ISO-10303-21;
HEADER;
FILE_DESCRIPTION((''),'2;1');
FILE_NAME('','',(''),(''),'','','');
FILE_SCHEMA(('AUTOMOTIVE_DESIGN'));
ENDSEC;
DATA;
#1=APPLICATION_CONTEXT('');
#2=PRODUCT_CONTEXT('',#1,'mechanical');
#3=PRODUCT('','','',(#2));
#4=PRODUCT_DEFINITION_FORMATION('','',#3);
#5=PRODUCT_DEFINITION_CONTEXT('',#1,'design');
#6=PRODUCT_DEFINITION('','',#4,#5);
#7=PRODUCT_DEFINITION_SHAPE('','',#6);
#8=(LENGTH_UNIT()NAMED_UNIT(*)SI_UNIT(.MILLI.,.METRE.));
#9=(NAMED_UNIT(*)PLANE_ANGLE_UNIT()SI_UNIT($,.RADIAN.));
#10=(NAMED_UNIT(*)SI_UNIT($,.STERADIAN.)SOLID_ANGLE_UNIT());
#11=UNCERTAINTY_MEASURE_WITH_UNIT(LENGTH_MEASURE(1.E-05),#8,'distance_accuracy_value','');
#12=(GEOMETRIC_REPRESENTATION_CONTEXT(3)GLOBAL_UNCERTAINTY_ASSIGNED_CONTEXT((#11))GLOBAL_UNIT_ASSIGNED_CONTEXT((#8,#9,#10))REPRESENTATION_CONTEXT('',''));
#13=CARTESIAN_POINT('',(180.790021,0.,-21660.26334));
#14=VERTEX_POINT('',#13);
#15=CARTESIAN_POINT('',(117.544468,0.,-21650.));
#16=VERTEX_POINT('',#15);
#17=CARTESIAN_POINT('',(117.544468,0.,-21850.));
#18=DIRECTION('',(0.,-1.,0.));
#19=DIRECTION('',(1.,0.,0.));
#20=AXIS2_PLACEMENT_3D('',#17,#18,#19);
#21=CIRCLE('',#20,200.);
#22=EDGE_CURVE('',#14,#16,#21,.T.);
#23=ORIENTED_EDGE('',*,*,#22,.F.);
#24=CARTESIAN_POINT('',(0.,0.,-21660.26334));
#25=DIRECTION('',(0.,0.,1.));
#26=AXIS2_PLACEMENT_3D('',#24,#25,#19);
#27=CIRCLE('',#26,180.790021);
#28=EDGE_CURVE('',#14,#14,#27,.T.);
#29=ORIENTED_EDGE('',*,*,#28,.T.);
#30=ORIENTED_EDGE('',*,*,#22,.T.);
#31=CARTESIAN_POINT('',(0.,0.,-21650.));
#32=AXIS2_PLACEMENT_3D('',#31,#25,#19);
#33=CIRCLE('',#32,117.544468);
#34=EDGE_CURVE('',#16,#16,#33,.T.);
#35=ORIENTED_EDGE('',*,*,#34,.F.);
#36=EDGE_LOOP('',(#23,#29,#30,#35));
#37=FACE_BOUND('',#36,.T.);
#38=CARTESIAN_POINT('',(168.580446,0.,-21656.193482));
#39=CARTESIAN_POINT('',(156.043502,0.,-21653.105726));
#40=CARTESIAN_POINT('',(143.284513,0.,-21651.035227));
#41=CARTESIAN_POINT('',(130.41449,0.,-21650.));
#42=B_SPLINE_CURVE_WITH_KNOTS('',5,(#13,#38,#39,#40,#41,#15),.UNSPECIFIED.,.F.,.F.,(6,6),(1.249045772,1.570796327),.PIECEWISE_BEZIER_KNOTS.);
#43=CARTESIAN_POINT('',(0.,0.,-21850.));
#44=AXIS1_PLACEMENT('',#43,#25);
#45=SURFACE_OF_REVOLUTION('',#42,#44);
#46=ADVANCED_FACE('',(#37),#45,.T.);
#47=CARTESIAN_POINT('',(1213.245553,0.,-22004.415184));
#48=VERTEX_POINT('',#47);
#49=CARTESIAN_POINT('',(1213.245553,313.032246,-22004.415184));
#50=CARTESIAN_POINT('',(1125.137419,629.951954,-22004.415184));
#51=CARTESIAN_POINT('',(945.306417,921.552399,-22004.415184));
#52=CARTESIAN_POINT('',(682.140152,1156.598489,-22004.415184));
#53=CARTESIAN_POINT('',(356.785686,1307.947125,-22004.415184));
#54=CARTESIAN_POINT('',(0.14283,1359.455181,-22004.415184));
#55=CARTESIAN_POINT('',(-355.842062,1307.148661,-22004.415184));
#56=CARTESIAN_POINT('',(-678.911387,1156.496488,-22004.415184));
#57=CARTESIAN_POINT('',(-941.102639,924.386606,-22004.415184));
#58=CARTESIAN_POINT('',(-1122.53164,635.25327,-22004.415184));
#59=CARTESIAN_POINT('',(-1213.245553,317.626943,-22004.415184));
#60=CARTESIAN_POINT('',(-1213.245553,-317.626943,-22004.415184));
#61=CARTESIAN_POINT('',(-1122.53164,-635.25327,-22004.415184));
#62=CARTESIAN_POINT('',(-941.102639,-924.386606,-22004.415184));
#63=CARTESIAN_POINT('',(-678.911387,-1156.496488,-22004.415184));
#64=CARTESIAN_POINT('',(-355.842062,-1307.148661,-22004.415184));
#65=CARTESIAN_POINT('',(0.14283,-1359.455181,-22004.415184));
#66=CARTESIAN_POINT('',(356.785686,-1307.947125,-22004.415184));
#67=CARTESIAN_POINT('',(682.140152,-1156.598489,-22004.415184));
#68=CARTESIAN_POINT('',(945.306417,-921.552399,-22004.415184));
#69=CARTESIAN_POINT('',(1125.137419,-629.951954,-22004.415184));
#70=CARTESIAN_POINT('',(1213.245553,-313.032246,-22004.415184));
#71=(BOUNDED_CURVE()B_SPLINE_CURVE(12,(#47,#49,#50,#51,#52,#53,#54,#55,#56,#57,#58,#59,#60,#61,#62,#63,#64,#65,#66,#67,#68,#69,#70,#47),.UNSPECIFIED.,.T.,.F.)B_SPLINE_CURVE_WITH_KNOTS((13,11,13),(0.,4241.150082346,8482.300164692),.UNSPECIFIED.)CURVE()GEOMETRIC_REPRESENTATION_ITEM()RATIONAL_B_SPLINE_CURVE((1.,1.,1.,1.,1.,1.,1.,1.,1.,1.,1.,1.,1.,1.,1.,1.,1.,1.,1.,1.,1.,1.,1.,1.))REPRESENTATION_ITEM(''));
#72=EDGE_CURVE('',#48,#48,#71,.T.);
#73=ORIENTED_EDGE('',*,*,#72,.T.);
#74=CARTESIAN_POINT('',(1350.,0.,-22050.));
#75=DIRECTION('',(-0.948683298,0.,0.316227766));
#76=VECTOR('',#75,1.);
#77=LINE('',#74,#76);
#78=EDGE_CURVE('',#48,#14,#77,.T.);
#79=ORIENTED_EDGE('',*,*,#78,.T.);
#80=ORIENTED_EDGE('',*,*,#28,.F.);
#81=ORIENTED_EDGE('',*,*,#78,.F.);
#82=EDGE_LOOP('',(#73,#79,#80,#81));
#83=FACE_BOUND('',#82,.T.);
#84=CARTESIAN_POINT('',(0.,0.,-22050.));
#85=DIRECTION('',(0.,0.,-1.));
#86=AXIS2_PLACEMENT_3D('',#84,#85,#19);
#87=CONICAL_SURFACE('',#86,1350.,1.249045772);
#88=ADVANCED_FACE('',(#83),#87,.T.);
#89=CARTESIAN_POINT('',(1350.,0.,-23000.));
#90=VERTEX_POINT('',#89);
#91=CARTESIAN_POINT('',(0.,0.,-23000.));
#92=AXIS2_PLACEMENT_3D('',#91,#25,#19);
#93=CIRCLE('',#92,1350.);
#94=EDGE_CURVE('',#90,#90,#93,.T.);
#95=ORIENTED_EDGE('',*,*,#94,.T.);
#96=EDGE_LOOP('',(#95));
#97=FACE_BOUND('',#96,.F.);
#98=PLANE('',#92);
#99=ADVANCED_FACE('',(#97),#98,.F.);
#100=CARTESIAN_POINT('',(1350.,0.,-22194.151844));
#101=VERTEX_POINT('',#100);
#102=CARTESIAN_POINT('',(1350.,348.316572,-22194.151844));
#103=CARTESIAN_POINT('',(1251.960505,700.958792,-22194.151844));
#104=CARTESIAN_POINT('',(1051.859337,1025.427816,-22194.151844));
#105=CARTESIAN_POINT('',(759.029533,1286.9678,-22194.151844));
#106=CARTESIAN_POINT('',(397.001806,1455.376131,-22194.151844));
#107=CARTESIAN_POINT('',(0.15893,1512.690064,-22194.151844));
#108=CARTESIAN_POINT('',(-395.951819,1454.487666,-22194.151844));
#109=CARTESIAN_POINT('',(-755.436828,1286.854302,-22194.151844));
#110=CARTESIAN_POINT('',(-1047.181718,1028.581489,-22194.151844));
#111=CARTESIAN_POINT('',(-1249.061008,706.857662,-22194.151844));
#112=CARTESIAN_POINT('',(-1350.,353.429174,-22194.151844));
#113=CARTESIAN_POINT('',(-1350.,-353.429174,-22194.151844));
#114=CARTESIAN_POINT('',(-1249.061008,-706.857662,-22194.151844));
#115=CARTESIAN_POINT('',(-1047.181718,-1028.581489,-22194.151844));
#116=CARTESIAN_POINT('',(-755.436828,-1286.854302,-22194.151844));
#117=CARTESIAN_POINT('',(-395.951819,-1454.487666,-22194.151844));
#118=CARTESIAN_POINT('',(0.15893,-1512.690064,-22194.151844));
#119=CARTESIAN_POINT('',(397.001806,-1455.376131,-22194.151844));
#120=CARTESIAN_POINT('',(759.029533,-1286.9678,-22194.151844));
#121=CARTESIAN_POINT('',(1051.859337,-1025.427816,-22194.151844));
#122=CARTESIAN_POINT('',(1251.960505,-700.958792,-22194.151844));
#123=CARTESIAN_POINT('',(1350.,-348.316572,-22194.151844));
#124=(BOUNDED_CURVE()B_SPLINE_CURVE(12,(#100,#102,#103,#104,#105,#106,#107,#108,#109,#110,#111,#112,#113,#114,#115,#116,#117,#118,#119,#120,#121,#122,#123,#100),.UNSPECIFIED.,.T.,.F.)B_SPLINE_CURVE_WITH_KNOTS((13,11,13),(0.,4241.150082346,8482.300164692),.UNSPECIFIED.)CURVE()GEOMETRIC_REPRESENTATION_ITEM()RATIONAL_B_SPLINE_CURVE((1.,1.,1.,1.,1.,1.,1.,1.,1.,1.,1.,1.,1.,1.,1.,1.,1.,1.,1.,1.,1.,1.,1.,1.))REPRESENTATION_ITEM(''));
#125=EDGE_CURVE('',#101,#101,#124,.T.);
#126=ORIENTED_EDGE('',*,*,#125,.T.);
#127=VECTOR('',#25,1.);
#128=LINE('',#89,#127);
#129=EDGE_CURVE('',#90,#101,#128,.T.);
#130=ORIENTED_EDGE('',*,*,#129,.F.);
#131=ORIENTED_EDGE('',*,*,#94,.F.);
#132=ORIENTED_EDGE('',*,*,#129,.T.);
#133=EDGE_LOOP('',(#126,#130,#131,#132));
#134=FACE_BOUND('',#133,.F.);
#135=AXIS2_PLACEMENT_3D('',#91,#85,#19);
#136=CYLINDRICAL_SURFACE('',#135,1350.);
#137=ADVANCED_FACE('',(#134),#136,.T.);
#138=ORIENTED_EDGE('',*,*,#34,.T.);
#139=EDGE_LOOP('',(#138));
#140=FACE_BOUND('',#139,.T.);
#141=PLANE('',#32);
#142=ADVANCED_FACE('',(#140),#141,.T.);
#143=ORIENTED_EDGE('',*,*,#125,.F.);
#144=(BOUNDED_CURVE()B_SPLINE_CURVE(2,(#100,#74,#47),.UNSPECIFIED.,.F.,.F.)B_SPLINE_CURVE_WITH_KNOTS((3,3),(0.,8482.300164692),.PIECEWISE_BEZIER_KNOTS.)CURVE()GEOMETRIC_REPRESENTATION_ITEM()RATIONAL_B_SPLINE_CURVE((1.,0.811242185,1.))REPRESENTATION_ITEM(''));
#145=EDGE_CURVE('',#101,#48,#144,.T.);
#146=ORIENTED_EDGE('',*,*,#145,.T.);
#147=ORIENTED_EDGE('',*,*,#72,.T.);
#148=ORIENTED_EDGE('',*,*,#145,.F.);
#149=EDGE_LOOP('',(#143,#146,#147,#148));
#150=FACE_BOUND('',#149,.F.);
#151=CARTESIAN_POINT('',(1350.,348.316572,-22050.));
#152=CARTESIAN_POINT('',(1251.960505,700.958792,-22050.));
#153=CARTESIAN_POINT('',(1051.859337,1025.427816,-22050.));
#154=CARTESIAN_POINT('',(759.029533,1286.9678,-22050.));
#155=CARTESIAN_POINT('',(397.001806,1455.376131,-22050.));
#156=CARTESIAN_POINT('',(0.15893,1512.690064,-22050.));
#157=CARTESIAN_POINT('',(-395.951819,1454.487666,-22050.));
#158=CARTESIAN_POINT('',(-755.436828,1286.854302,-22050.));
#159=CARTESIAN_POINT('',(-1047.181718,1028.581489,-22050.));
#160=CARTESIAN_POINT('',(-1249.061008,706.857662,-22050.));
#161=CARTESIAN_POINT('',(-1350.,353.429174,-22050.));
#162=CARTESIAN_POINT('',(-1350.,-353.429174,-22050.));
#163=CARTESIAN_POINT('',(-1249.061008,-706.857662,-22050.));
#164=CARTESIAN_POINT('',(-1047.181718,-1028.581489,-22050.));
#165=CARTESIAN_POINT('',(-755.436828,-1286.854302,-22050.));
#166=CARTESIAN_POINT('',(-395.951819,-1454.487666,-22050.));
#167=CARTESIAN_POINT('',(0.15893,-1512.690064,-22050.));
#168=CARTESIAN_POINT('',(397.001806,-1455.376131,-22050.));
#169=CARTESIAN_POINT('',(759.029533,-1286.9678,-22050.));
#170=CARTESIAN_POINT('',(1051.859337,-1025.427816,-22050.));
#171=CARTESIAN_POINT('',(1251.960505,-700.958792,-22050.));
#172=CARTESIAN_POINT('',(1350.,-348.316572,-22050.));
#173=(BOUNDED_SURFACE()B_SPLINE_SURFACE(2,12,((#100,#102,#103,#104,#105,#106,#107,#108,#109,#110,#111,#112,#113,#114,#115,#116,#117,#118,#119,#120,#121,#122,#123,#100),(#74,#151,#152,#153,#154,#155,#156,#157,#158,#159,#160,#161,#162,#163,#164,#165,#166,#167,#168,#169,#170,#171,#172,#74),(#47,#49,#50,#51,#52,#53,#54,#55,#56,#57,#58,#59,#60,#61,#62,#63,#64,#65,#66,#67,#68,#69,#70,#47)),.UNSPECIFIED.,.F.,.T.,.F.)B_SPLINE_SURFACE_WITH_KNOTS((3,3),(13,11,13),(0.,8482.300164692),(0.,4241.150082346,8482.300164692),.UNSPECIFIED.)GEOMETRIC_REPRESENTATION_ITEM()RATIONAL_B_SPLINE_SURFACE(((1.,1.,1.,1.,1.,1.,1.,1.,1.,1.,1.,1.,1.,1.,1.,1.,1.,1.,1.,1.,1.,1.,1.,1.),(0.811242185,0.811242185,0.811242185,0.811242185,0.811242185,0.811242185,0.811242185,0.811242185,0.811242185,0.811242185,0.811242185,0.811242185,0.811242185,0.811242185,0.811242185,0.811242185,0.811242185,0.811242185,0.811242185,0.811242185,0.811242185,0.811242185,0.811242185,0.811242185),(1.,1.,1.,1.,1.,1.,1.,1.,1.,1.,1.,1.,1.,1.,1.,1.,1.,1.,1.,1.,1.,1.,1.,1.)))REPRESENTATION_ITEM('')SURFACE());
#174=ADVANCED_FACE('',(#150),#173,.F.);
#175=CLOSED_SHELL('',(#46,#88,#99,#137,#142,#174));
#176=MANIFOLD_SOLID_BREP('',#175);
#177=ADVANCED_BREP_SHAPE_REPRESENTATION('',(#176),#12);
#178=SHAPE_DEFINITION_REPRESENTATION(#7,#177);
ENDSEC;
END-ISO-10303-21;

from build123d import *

# Parameters (mm, degrees)
CYLINDER006_R     = 1350
CYLINDER006_DEPTH = 1350
CHAMFER002_SIZE2  = 1200
CHAMFER002_SIZE   = 400
FILLET003_R       = 200


with BuildPart() as part:
    # Cylinder006 → Cylinder006 (new body)
    with BuildSketch(Plane.XY):
        Circle(CYLINDER006_R)
    extrude(amount=CYLINDER006_DEPTH)

    # Chamfer002
    chamfer002_edges = [part.edges().sort_by_distance(p)[0] for p in [
        (-1350, 0, 1350),
    ]]
    chamfer002_side = part.faces().sort_by_distance((-1350, 0, 675))[0]
    chamfer(chamfer002_edges, length=CHAMFER002_SIZE, length2=CHAMFER002_SIZE2, reference=chamfer002_side)

    # Fillet003
    fillet003_edges = [part.edges().sort_by_distance(p)[0] for p in [
        (-1350, 0, 950),
        (-150, 0, 1350),
    ]]
    fillet(fillet003_edges, radius=FILLET003_R)


with BuildPart() as part_1:
    # Fillet003 placement: moved
    add(part.part.moved(Location((0, 0, -23000))))


solid = part_1.part
